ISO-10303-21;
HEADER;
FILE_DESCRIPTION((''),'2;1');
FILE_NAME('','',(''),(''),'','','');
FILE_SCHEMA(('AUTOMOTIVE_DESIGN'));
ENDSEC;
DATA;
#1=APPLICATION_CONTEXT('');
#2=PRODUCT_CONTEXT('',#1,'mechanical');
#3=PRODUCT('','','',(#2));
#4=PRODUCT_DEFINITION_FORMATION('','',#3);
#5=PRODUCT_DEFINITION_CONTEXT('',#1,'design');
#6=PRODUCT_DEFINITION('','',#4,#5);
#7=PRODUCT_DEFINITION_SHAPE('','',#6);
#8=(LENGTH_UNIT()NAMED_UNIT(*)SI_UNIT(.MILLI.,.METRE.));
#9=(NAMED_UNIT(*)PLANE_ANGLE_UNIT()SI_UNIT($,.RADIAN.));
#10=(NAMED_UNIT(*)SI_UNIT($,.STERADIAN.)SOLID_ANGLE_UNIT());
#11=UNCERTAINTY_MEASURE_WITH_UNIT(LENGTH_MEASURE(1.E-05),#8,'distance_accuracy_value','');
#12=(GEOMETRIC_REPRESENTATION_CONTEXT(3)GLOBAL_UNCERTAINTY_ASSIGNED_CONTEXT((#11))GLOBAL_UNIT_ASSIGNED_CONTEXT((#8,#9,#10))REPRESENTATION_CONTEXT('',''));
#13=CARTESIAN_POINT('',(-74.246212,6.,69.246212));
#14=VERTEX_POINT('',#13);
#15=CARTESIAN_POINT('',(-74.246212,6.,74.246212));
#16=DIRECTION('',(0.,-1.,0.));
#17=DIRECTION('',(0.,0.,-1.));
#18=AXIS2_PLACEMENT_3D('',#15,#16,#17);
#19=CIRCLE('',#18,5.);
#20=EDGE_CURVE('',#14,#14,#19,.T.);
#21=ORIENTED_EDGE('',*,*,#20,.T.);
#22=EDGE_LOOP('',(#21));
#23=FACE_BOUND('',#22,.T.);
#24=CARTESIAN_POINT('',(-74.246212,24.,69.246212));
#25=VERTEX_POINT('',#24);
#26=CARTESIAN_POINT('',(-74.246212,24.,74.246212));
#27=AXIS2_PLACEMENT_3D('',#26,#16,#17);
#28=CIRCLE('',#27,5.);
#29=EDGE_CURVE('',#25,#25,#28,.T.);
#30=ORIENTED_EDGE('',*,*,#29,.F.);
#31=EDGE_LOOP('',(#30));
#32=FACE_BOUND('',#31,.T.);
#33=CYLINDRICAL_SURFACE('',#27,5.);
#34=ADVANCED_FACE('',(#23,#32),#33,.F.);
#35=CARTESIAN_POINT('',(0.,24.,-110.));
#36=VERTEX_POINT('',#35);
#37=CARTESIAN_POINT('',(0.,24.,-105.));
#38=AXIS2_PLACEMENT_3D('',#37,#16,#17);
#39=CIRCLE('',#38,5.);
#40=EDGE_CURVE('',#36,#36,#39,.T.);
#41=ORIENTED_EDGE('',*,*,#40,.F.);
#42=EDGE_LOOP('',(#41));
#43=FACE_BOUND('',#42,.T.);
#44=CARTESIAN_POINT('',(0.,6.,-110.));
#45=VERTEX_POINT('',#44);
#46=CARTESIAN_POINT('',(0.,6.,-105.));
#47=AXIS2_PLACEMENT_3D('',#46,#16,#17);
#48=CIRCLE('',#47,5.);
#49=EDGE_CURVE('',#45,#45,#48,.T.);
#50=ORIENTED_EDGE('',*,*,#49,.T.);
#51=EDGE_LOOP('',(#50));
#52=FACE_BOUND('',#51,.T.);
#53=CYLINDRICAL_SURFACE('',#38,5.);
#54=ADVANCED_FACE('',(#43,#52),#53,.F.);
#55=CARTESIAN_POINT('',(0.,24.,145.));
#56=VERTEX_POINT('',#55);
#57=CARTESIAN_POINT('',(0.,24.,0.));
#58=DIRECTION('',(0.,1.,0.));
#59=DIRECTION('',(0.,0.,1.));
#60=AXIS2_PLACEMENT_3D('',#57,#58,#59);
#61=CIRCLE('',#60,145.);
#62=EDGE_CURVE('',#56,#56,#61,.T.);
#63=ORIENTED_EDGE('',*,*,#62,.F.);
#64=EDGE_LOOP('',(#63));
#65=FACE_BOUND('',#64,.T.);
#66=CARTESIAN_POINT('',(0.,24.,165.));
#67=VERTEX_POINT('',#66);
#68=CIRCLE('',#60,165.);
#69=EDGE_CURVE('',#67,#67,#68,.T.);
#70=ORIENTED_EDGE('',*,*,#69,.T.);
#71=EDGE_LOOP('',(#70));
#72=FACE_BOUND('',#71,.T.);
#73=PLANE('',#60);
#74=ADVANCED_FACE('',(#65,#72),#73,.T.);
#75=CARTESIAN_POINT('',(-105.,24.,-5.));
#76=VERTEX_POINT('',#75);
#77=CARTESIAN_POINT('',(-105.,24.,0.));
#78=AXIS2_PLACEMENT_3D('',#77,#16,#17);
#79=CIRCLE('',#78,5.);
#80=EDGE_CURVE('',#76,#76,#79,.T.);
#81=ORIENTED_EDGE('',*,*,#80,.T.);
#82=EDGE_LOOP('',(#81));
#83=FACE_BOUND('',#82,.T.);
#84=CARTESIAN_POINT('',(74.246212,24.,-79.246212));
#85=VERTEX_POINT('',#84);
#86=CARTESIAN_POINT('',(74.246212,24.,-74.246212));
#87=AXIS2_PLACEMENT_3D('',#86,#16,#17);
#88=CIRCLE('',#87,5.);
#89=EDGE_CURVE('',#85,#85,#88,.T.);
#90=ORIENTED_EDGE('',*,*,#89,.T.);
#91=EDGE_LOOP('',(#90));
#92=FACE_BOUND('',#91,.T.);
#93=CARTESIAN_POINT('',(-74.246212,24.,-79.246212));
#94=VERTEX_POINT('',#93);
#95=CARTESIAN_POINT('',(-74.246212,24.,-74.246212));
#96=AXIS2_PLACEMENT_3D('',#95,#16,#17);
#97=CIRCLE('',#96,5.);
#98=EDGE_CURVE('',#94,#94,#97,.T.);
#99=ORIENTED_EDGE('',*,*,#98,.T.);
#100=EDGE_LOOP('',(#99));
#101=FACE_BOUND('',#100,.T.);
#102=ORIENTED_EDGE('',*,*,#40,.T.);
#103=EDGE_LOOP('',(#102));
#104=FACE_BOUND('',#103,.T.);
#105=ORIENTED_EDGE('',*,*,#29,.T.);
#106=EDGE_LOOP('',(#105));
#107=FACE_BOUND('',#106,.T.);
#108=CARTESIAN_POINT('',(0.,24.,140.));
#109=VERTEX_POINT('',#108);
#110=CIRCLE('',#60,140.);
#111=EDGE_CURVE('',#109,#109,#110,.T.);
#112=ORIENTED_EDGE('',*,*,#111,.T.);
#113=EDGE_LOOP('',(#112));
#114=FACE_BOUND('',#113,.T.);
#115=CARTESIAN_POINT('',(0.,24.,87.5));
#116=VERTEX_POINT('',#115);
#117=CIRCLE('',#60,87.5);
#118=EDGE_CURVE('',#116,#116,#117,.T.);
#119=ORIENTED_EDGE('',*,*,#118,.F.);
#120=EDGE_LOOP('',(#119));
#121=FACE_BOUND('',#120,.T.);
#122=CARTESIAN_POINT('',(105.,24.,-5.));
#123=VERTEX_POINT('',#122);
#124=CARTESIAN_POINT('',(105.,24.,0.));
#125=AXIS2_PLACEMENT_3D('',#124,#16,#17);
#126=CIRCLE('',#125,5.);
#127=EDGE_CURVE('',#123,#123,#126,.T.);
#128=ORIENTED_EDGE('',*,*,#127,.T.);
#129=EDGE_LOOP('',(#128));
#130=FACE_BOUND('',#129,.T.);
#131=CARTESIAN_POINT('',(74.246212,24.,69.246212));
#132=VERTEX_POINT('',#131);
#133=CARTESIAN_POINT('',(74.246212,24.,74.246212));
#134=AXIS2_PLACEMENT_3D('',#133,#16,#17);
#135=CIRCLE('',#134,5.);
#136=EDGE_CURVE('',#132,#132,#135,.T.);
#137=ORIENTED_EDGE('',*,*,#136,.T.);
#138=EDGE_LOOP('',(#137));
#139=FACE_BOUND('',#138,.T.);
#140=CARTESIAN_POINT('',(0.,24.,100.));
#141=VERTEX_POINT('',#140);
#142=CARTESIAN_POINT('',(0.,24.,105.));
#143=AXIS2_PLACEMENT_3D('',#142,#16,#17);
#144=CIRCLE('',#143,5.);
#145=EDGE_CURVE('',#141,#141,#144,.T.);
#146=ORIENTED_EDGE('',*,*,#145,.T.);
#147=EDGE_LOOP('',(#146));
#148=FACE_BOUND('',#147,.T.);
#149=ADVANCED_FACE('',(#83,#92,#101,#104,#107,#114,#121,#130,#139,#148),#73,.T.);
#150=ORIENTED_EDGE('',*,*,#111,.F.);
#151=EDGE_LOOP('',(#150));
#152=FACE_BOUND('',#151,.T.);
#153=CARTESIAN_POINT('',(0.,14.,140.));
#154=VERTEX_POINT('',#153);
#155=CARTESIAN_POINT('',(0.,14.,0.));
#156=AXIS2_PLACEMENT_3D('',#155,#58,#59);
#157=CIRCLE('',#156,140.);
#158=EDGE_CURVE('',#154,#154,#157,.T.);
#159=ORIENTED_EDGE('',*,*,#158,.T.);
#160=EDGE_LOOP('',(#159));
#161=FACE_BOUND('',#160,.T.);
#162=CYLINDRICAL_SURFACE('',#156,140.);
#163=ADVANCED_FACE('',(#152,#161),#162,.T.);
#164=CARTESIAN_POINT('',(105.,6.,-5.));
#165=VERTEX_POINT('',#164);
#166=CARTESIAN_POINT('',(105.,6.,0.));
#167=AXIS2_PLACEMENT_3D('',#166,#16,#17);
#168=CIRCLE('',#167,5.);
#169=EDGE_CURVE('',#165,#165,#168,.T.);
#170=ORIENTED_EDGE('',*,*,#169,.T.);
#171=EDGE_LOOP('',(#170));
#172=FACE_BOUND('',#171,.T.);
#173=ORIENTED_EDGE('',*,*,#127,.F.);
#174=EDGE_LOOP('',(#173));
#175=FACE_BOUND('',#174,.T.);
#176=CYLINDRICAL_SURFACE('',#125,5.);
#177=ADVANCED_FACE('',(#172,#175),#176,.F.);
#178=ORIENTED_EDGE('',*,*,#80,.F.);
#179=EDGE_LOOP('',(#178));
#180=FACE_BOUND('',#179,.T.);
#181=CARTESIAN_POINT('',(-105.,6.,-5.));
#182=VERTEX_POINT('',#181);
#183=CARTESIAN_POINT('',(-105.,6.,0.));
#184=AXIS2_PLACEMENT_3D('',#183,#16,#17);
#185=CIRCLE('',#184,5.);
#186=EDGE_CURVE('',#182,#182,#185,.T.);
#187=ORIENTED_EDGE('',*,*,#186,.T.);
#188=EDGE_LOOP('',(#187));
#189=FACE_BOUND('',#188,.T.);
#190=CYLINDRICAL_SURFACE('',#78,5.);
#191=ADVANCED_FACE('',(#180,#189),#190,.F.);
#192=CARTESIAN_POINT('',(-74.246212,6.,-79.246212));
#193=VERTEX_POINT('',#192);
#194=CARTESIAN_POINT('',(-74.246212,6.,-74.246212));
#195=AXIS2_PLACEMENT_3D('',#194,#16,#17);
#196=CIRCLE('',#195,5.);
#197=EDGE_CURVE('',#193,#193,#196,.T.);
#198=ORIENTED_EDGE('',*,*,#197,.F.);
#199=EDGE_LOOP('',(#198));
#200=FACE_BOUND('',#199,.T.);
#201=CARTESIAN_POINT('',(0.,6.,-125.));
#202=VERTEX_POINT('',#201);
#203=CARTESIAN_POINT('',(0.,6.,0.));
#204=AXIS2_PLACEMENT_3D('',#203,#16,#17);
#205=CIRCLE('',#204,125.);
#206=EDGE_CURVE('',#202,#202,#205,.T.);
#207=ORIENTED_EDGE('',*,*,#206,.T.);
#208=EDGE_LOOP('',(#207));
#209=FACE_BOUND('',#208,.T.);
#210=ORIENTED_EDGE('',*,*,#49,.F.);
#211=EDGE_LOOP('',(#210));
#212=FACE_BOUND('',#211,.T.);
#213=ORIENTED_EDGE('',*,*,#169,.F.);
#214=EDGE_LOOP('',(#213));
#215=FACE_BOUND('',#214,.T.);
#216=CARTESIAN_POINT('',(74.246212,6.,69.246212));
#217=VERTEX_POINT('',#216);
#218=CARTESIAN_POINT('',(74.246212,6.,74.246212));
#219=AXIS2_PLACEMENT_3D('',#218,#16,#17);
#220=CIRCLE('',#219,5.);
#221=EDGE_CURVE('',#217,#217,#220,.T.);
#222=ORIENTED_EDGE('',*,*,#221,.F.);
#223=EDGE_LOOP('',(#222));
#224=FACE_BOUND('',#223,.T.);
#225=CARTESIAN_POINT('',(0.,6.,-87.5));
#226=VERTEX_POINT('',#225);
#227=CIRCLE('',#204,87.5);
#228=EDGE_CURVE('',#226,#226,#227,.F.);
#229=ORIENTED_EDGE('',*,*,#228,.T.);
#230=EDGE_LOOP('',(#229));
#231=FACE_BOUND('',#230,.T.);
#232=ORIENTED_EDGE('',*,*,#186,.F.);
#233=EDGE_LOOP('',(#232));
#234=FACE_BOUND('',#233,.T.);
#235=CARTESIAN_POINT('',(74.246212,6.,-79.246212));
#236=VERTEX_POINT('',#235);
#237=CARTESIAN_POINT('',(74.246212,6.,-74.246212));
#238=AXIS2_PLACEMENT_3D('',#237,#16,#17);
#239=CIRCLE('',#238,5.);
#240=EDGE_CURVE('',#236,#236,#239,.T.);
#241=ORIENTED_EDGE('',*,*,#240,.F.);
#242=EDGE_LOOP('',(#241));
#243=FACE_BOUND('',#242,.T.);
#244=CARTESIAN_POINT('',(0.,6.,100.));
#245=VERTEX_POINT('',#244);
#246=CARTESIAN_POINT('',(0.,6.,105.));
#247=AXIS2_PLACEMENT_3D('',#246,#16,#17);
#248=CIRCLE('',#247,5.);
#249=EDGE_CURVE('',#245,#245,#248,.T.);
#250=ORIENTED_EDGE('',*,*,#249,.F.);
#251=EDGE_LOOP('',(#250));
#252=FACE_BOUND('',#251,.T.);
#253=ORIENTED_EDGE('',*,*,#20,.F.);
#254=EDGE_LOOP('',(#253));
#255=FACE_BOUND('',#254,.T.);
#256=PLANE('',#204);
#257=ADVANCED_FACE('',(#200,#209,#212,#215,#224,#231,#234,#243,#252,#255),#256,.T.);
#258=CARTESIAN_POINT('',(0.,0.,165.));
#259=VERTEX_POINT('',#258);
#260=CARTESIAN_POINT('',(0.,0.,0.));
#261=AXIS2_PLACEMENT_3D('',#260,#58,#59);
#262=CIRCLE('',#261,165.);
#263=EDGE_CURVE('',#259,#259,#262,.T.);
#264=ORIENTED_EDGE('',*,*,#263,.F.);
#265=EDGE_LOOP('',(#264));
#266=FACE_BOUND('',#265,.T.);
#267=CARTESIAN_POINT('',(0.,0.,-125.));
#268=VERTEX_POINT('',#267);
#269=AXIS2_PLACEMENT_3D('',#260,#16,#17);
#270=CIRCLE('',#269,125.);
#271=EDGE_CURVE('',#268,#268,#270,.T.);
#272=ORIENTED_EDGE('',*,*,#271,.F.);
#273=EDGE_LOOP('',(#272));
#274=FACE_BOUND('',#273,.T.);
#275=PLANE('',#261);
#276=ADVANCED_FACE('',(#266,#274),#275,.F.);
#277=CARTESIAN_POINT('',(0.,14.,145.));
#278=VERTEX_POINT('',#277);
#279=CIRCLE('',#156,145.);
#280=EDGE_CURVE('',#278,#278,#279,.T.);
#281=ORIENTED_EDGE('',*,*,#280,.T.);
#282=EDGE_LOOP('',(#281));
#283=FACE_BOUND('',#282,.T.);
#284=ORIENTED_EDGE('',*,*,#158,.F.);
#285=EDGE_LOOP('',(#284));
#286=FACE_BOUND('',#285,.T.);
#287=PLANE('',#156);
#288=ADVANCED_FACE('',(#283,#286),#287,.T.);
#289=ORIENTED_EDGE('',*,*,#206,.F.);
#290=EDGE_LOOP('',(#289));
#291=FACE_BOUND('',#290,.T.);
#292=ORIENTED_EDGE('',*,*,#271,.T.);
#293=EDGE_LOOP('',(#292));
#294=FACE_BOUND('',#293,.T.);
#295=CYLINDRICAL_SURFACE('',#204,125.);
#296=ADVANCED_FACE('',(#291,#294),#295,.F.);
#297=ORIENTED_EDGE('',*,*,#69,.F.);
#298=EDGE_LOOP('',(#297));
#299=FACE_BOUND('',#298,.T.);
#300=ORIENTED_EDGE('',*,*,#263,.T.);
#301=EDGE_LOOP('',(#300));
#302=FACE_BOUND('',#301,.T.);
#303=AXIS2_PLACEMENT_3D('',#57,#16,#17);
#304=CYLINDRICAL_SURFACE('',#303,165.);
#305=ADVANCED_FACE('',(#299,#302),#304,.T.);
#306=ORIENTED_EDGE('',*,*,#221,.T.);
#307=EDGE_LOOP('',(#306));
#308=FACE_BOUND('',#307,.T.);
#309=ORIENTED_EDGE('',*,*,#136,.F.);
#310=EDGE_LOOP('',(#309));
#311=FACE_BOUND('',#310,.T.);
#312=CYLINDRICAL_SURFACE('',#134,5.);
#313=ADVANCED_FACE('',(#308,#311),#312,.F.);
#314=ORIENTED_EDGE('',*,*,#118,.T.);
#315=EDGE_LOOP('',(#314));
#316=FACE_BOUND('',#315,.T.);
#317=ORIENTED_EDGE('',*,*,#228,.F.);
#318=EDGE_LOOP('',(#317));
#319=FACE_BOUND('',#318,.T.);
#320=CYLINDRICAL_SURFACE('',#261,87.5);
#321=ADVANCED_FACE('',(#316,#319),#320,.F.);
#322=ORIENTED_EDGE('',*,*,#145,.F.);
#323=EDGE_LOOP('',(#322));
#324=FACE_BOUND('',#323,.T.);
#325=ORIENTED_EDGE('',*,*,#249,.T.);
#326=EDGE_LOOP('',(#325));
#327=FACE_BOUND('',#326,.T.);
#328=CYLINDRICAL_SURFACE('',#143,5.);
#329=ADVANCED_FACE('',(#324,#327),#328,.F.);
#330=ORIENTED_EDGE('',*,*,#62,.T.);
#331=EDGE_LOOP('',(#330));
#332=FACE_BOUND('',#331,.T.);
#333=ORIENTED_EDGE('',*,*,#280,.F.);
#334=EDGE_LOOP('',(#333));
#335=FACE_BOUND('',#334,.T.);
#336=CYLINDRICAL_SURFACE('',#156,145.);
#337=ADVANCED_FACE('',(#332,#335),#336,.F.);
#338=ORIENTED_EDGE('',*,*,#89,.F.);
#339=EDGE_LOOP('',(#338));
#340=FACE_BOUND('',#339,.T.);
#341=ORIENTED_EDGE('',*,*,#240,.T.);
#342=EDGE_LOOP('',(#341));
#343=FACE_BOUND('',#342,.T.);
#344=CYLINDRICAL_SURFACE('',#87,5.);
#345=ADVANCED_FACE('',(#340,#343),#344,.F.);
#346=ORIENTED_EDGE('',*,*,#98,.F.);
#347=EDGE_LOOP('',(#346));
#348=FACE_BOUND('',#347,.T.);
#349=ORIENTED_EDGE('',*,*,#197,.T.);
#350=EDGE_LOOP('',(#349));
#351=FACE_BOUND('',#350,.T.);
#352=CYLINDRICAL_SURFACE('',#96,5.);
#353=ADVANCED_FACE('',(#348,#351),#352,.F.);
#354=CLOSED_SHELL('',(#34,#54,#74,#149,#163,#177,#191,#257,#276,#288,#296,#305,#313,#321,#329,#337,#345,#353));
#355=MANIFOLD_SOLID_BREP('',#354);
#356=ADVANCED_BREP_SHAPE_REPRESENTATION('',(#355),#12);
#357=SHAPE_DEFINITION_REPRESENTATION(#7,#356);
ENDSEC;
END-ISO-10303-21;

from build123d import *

# Parameters (mm, degrees)
SKETCH1_R          = 165
PLATE_DEPTH        = 24
SKETCH2_R          = 87.5
BEARING_HOLE_DEPTH = 235.576213628
SKETCH4_R          = 145
SKETCH4_R_2        = 140
CUT_EXTRUDE3_DEPTH = 10
SKETCH5_R          = 125
CUT_EXTRUDE4_DEPTH = 6
SKETCH6_R          = 5
CUT_EXTRUDE5_DEPTH = 235.038458378


with BuildPart() as part:
    # Sketch1 → plate (new body)
    with BuildSketch(Plane(origin=(0, 0, 0), x_dir=(1, 0, 0), z_dir=(0, 1, 0))):
        with Locations(Location((0, 0, 0), (0, 0, 270))):
            Circle(SKETCH1_R)
    extrude(amount=PLATE_DEPTH)

    # Sketch2 → bearing-hole (cut, through all)
    with BuildSketch(Plane(origin=(0, 24, 0), x_dir=(1, 0, 0), z_dir=(0, 1, 0))):
        with Locations(Location((0, 0, 0), (0, 0, 270))):
            Circle(SKETCH2_R)
    extrude(amount=-BEARING_HOLE_DEPTH, mode=Mode.SUBTRACT)

    # Sketch4 → Cut-Extrude3 (cut)
    with BuildSketch(Plane(origin=(0, 24, 0), x_dir=(1, 0, 0), z_dir=(0, 1, 0))):
        with Locations(Location((0, 0, 0), (0, 0, 270))):
            Circle(SKETCH4_R)
        with Locations(Location((0, 0, 0), (0, 0, 270))):
            Circle(SKETCH4_R_2, mode=Mode.SUBTRACT)
    extrude(amount=-CUT_EXTRUDE3_DEPTH, mode=Mode.SUBTRACT)

    # Sketch5 → Cut-Extrude4 (cut)
    with BuildSketch(Plane.XZ):
        with Locations(Location((0, 0, 0), (0, 0, 270))):
            Circle(SKETCH5_R)
    extrude(amount=-CUT_EXTRUDE4_DEPTH, mode=Mode.SUBTRACT)

    # Sketch6 → Cut-Extrude5 (cut, through all)
    with BuildSketch(Plane.XZ.offset(-6)):
        with Locations(Location((0, 105, 0), (0, 0, 270))):
            Circle(SKETCH6_R)
        with Locations(Location((74.246212025, 74.246212025, 0), (0, 0, 270))):
            Circle(SKETCH6_R)
        with Locations(Location((105, 0, 0), (0, 0, 270))):
            Circle(SKETCH6_R)
        with Locations(Location((74.246212025, -74.246212025, 0), (0, 0, 270))):
            Circle(SKETCH6_R)
        with Locations(Location((0, -105, 0), (0, 0, 270))):
            Circle(SKETCH6_R)
        with Locations(Location((-74.246212025, -74.246212025, 0), (0, 0, 270))):
            Circle(SKETCH6_R)
        with Locations(Location((-105, 0, 0), (0, 0, 270))):
            Circle(SKETCH6_R)
        with Locations(Location((-74.246212025, 74.246212025, 0), (0, 0, 270))):
            Circle(SKETCH6_R)
    extrude(amount=-CUT_EXTRUDE5_DEPTH, mode=Mode.SUBTRACT)


solid = part.part
